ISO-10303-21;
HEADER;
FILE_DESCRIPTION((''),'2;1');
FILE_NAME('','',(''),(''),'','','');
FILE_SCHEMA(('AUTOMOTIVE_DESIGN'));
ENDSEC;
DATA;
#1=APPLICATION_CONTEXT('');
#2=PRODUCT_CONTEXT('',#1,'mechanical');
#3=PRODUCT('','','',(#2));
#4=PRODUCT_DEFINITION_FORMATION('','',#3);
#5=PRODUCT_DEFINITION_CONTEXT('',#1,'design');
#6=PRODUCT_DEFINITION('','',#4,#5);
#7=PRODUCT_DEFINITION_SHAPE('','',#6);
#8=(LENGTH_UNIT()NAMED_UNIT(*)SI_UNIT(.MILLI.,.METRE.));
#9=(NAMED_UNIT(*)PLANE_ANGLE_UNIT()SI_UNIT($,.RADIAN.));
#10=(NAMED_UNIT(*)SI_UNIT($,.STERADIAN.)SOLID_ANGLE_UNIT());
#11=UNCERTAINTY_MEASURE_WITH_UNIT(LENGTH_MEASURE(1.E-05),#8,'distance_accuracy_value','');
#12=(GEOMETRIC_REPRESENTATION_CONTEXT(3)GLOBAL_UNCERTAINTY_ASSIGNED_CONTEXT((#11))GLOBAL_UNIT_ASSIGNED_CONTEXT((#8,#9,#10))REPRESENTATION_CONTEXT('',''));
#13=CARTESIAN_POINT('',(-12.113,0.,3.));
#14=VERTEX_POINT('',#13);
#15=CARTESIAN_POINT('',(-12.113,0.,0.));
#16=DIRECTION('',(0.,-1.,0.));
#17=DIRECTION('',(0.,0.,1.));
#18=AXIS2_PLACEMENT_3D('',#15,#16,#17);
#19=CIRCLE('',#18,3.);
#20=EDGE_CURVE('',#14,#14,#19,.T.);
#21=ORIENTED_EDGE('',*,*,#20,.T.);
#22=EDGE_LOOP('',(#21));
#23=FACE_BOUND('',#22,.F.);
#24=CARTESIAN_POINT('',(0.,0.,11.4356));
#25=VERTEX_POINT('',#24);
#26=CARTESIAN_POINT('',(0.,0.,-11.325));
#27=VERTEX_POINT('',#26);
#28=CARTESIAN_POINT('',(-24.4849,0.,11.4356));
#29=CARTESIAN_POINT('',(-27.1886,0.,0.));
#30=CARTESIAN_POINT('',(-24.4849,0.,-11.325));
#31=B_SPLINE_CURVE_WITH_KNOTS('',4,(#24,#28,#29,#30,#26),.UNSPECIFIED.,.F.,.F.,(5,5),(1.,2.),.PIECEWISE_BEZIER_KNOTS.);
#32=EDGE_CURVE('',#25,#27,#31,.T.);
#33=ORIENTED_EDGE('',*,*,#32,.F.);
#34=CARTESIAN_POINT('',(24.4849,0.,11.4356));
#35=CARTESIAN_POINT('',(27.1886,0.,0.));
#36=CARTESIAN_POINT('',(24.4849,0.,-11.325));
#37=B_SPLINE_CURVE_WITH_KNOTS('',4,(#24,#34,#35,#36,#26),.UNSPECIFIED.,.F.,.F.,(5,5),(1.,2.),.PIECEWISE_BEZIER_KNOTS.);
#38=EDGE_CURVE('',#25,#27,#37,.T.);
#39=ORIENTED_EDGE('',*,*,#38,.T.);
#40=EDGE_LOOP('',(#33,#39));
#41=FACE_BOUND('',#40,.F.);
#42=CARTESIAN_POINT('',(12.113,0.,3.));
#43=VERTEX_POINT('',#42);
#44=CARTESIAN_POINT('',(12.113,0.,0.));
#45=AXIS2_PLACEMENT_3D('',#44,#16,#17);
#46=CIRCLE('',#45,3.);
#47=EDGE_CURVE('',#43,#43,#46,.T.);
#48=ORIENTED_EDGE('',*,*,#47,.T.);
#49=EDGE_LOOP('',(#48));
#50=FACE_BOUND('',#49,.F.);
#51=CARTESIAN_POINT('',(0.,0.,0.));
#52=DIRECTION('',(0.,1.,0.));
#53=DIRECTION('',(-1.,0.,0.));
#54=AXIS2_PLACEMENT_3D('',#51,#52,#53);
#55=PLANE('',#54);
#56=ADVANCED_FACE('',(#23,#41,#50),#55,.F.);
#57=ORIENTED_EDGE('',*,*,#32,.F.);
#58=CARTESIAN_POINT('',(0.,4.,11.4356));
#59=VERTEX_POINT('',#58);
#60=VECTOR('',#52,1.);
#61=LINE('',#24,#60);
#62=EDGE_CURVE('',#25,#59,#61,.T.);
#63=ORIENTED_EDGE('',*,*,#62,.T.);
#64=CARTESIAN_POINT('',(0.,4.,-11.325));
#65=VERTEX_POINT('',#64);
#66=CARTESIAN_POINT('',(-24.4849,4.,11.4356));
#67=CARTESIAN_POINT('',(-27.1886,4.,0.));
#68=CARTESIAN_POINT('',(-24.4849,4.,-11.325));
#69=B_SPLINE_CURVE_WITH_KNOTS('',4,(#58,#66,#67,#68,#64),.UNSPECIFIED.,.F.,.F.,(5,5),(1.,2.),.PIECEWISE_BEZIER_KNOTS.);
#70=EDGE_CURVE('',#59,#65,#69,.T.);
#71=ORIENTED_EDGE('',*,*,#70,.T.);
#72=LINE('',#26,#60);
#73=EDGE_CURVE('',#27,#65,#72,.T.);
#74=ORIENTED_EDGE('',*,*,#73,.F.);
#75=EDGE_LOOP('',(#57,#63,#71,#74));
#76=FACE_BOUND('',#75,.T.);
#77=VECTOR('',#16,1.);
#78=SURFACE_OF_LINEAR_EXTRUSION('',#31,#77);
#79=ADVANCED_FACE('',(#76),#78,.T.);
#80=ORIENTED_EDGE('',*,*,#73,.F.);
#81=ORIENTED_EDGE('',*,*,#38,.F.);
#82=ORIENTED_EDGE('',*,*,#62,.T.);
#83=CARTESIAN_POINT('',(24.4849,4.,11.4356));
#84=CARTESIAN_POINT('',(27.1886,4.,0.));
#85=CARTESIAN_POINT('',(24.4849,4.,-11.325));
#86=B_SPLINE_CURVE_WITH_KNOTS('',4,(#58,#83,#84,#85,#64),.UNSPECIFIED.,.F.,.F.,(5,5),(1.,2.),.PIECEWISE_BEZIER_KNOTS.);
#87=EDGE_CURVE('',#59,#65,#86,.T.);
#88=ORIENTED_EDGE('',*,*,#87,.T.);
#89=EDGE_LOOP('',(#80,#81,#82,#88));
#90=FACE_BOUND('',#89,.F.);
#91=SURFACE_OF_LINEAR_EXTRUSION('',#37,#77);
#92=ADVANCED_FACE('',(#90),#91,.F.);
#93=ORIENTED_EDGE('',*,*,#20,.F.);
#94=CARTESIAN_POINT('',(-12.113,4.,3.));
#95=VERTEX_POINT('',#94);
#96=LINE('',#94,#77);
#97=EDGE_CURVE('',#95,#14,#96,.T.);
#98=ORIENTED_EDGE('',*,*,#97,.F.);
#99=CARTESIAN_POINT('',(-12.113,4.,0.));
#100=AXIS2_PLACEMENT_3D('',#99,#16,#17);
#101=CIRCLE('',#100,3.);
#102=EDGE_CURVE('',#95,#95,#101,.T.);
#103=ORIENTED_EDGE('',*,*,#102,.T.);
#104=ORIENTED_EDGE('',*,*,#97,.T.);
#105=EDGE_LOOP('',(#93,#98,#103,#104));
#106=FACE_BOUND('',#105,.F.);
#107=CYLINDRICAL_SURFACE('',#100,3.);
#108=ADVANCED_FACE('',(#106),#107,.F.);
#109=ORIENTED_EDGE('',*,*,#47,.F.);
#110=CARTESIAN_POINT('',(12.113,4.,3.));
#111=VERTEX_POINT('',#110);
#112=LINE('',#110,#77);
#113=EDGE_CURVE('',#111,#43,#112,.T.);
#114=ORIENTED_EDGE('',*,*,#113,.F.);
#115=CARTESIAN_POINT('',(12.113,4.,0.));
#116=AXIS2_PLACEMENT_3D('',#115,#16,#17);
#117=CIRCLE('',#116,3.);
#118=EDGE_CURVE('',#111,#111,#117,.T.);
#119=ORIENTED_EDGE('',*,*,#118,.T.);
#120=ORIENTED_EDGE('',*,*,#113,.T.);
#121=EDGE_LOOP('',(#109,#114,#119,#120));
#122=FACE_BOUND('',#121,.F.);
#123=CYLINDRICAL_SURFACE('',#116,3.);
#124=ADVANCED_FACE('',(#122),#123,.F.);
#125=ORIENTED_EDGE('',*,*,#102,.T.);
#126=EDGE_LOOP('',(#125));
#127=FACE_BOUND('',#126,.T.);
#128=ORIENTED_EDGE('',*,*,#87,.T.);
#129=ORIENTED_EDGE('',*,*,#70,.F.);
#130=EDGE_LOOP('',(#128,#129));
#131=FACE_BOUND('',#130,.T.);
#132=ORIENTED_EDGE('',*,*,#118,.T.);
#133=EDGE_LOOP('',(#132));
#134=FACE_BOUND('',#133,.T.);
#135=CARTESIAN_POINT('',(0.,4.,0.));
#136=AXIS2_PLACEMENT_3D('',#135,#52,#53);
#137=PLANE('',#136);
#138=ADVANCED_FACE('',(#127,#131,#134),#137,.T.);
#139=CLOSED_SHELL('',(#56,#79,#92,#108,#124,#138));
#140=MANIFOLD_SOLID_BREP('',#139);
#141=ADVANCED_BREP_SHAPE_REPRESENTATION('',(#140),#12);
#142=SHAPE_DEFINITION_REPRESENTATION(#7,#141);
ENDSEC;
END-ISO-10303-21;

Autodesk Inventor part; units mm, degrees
ref_plane "XZ Plane" through (0, 0, 0) normal (0, 1, 0) x (-1, 0, 0)
ref_plane "XY Plane" through (0, 0, 0) normal (0, 0, 1) x (1, 0, 0)
sketch "Sketch1" plane through (0, 0, 0) normal (0, 1, 0) x (-1, 0, 0)
  line L0 (0, 11.4356) -> (-24.4849, 11.4356) construction
  line L1 (-24.4849, 11.4356) -> (-27.1886, 0) construction
  line L2 (-27.1886, 0) -> (-24.4849, -11.325) construction
  line L3 (-24.4849, -11.325) -> (0, -11.325) construction
  spline S0 degree 4 poles (0, 11.4356) (-24.4849, 11.4356) (-27.1886, 0) (-24.4849, -11.325) (0, -11.325) knots 1 1 1 1 1 2 2 2 2 2
  line L4 (0, -122.0038) -> (0, 101.9612)
  line L5 (0, 11.4356) -> (24.4849, 11.4356) construction
  line L6 (24.4849, 11.4356) -> (27.1886, 0) construction
  line L7 (27.1886, 0) -> (24.4849, -11.325) construction
  line L8 (24.4849, -11.325) -> (0, -11.325) construction
  spline S1 degree 4 poles (0, 11.4356) (24.4849, 11.4356) (27.1886, 0) (24.4849, -11.325) (0, -11.325) knots 1 1 1 1 1 2 2 2 2 2
  point P0 (0, 0)
extrude "Extrusion1" add sketch "Sketch1" along normal blind 4
sketch "Sketch2" plane through (0, 4, 0) normal (0, 1, 0) x (1, 0, 0)
  point P0 (0, 0)
  point P1 (12.113, 0)
  point P2 (-12.113, 0)
  dimension "d2" = 12.113
  dimension "d10" = 12.113
  dimension "d11" = 0
  dimension "d12" = 0
hole "Hole1" at (12.113, 4, 0) at (-12.113, 4, 0) direction (0, -1, 0) diameter 6 end through all
equation "\"d10\" = d2"
properties part number "holder3_l1"
